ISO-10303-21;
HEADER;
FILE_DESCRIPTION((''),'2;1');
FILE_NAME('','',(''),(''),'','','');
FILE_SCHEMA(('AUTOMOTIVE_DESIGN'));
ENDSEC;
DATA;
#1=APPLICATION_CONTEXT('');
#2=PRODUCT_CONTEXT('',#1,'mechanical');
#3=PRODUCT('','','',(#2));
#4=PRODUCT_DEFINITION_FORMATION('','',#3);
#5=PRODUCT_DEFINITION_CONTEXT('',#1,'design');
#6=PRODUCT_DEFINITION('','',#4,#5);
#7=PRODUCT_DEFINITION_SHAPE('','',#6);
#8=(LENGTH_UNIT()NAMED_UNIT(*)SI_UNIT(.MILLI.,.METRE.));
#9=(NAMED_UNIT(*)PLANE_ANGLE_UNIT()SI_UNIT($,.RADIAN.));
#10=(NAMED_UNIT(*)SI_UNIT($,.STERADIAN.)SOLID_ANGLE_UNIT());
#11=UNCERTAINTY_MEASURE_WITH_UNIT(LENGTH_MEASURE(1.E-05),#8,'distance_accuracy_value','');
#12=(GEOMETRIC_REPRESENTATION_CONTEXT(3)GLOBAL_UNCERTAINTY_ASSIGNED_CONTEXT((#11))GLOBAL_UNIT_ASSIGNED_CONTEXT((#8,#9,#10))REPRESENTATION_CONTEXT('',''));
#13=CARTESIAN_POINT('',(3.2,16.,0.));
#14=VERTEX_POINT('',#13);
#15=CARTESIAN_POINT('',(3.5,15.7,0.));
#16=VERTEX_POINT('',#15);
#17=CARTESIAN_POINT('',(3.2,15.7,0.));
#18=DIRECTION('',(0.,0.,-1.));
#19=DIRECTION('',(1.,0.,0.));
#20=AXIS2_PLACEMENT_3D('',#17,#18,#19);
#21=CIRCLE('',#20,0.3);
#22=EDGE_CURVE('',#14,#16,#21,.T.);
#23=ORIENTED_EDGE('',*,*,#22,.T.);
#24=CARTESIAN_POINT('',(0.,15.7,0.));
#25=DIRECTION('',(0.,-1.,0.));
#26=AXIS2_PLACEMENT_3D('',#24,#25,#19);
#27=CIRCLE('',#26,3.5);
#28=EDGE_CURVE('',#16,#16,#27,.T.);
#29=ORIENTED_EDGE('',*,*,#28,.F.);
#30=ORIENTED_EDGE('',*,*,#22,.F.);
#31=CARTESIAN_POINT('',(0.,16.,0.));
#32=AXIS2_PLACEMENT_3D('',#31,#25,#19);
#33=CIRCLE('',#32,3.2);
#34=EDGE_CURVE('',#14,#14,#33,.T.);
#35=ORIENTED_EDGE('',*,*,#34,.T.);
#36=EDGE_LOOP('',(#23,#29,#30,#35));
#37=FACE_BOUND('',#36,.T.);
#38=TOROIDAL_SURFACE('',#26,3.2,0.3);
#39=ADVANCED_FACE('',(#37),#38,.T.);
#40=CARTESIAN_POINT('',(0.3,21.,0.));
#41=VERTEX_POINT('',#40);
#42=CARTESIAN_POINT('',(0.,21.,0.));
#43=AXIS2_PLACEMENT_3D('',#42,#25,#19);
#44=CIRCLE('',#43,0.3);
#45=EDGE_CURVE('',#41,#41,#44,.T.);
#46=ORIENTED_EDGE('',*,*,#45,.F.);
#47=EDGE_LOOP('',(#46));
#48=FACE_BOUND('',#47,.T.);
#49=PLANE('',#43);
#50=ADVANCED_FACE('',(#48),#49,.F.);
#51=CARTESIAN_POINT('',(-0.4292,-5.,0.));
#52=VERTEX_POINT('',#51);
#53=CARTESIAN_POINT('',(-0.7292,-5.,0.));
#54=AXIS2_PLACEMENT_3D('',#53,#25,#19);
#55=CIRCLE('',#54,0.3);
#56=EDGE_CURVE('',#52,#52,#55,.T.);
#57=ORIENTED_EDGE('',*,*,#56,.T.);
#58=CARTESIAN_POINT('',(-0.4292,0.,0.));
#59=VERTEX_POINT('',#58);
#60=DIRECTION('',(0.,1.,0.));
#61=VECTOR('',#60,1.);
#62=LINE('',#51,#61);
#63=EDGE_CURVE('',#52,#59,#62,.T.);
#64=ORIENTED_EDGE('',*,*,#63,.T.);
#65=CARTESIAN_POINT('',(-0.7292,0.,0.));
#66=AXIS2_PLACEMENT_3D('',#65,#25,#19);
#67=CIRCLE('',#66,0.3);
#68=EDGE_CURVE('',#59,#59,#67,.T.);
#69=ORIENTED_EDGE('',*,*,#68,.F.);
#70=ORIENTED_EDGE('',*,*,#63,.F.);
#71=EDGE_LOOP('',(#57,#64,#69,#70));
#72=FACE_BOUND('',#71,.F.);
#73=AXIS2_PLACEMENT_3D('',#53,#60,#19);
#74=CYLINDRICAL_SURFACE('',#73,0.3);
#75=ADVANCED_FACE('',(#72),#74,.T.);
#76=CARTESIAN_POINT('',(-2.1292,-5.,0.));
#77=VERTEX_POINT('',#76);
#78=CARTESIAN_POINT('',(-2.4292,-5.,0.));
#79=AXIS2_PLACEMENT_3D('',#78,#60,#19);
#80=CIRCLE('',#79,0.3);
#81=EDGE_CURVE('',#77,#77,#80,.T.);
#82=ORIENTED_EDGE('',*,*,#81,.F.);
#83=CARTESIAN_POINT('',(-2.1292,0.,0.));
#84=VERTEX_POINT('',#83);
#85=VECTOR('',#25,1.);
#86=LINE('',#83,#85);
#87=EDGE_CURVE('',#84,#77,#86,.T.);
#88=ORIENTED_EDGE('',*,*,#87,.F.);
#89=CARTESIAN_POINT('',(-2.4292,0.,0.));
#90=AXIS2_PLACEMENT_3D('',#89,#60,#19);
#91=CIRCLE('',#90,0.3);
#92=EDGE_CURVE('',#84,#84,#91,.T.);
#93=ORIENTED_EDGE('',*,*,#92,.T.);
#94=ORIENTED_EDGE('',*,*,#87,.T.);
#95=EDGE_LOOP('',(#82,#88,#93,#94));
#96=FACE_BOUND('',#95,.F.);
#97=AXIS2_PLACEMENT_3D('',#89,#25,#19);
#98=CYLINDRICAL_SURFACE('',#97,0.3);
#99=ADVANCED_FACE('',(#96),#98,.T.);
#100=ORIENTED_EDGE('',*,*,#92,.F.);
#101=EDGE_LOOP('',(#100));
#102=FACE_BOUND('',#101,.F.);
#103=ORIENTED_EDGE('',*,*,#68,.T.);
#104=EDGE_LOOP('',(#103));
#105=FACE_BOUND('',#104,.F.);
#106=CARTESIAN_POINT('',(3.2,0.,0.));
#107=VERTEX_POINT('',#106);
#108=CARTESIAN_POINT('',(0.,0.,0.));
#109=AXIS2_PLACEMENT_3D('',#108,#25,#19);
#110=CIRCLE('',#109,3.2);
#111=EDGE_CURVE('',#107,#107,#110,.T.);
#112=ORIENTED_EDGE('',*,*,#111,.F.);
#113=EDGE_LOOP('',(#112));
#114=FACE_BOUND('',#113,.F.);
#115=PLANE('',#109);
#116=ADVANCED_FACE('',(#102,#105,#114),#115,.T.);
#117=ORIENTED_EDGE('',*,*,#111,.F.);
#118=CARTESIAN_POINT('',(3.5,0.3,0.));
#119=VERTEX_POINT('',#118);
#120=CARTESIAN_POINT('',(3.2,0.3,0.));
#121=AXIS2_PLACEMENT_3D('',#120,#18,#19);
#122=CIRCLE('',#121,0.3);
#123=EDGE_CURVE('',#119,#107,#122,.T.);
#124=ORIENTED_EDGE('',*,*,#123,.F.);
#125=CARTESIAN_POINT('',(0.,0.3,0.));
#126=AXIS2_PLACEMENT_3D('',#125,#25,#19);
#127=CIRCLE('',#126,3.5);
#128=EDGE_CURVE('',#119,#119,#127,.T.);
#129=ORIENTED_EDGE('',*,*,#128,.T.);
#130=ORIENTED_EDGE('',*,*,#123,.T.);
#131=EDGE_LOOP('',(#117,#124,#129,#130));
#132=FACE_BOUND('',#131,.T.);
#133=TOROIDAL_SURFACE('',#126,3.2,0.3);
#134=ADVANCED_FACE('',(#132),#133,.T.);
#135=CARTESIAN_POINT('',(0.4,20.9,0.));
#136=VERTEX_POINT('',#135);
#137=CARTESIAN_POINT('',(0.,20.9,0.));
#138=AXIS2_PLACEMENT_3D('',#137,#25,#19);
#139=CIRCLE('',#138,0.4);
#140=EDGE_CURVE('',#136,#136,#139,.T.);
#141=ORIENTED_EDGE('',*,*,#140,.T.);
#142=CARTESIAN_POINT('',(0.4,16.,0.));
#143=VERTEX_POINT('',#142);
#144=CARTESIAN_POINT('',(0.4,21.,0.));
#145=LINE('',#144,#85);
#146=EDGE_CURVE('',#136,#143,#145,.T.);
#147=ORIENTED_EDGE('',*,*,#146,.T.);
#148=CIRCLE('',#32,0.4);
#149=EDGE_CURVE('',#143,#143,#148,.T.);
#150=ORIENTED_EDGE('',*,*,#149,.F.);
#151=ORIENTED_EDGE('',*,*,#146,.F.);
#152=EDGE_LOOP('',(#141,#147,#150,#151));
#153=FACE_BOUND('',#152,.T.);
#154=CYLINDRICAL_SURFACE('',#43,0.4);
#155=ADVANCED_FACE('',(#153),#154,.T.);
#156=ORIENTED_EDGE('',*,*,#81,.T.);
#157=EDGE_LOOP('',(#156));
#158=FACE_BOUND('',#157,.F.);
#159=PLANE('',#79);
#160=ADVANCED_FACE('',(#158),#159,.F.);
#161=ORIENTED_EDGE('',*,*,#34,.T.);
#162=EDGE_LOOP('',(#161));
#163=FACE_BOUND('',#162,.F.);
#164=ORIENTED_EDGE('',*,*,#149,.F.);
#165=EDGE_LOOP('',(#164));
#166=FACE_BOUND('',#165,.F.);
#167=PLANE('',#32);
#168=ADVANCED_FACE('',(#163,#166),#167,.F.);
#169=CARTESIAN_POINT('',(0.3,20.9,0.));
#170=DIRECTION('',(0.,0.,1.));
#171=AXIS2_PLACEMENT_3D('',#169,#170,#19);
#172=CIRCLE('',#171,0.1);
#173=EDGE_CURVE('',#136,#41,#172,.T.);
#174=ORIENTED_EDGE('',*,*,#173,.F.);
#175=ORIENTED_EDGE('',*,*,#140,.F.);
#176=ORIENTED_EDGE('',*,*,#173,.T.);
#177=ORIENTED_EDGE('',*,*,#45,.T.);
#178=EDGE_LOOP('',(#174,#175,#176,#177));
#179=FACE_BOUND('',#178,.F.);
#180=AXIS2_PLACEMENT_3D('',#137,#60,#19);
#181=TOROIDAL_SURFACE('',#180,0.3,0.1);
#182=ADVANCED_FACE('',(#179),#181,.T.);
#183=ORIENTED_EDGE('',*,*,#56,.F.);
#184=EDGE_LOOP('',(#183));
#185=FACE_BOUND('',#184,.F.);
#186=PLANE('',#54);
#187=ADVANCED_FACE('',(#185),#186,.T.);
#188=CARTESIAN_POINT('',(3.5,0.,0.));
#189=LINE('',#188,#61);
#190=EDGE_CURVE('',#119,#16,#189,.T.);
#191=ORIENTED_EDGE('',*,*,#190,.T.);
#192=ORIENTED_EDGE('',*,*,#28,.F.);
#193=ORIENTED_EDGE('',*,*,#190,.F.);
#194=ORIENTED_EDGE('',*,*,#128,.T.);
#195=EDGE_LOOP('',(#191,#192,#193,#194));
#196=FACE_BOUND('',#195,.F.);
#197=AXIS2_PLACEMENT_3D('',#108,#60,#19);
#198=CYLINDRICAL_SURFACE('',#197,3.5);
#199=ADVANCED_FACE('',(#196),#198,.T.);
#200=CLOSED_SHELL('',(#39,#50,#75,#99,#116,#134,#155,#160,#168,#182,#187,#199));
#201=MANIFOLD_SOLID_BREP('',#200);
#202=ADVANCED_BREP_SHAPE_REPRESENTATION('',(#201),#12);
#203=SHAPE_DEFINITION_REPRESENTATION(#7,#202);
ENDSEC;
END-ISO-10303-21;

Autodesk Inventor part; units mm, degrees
ref_plane "YZ Plane" through (0, 0, 0) normal (1, 0, 0) x (0, 1, 0)
ref_plane "XZ Plane" through (0, 0, 0) normal (0, 1, 0) x (-1, 0, 0)
ref_plane "XY Plane" through (0, 0, 0) normal (0, 0, 1) x (1, 0, 0)
sketch "Esboço5" plane through (0, 0, 0) normal (0, 0, 1) x (1, 0, 0)
  line L0 (0, 50) -> (0, -50)
  line L1 (0, 0) -> (-3.5, 0)
  line L2 (-3.5, 0) -> (-3.5, 16)
  line L3 (-3.5, 16) -> (0, 16)
  line L4 (0, 16) -> (0, 0)
  line L5 (0, 16) -> (0, 21)
  line L6 (0, 21) -> (-0.4, 21)
  line L7 (-0.4, 21) -> (-0.4, 16)
  line L8 (-0.4, 16) -> (0, 16)
  line L9 (-2.7292, 0) -> (-2.7292, -5)
  line L10 (-0.7292, 0) -> (-0.7292, -5)
  line L11 (-0.7292, 0) -> (-0.7292, -5)
  line L12 (-0.7292, -5) -> (-1.0292, -5)
  line L13 (-1.0292, -5) -> (-1.0292, 0)
  line L14 (-1.0292, 0) -> (-0.7292, 0)
  line L15 (-2.7292, 0) -> (-2.7292, -5)
  line L16 (-2.7292, -5) -> (-2.4292, -5)
  line L17 (-2.4292, -5) -> (-2.4292, 0)
  line L18 (-2.4292, 0) -> (-2.7292, 0)
  point P0 (-1.0292, 0)
  dimension "d22" = 100
  dimension "d23" = 3.5
  dimension "d24" = 16
  dimension "d25" = 5
  dimension "d26" = 0.4
  dimension "d37" = 5
  dimension "d38" = 5
  dimension "d39" = 2
  dimension "d40" = 1.4584
  dimension "d41" = 0
  dimension "d42" = 21
  dimension "d43" = 0.8
  dimension "d44" = 5
  dimension "d45" = 5
  dimension "d46" = 0.3
  dimension "d47" = 5
  dimension "d48" = 0.3
revolve "Revolução6" add sketch "Esboço5" angle 360 mid plane about axis through (0, 50, 0) along (0, -1, 0) contours L0 L3 L7 L6 | L0 L1 L2 L3
revolve "Revolução7" add sketch "Esboço5" angle 360 mid plane about axis through (-0.7292, 0, 0) along (0, -1, 0) contours L10 L12 L13 L1
revolve "Revolução8" add sketch "Esboço5" angle 360 mid plane about axis through (-2.4292, -5, 0) along (0, 1, 0) contours L17 L16 L9 L1
fillet "Arredondamento4" radius 0.1 1 edges at (-0.4, 21, 0)
fillet "Arredondamento5" radius 0.3 2 edges at (-3.5, 16, 0) (-3.5, 0, 0)
properties part number "Motor"
